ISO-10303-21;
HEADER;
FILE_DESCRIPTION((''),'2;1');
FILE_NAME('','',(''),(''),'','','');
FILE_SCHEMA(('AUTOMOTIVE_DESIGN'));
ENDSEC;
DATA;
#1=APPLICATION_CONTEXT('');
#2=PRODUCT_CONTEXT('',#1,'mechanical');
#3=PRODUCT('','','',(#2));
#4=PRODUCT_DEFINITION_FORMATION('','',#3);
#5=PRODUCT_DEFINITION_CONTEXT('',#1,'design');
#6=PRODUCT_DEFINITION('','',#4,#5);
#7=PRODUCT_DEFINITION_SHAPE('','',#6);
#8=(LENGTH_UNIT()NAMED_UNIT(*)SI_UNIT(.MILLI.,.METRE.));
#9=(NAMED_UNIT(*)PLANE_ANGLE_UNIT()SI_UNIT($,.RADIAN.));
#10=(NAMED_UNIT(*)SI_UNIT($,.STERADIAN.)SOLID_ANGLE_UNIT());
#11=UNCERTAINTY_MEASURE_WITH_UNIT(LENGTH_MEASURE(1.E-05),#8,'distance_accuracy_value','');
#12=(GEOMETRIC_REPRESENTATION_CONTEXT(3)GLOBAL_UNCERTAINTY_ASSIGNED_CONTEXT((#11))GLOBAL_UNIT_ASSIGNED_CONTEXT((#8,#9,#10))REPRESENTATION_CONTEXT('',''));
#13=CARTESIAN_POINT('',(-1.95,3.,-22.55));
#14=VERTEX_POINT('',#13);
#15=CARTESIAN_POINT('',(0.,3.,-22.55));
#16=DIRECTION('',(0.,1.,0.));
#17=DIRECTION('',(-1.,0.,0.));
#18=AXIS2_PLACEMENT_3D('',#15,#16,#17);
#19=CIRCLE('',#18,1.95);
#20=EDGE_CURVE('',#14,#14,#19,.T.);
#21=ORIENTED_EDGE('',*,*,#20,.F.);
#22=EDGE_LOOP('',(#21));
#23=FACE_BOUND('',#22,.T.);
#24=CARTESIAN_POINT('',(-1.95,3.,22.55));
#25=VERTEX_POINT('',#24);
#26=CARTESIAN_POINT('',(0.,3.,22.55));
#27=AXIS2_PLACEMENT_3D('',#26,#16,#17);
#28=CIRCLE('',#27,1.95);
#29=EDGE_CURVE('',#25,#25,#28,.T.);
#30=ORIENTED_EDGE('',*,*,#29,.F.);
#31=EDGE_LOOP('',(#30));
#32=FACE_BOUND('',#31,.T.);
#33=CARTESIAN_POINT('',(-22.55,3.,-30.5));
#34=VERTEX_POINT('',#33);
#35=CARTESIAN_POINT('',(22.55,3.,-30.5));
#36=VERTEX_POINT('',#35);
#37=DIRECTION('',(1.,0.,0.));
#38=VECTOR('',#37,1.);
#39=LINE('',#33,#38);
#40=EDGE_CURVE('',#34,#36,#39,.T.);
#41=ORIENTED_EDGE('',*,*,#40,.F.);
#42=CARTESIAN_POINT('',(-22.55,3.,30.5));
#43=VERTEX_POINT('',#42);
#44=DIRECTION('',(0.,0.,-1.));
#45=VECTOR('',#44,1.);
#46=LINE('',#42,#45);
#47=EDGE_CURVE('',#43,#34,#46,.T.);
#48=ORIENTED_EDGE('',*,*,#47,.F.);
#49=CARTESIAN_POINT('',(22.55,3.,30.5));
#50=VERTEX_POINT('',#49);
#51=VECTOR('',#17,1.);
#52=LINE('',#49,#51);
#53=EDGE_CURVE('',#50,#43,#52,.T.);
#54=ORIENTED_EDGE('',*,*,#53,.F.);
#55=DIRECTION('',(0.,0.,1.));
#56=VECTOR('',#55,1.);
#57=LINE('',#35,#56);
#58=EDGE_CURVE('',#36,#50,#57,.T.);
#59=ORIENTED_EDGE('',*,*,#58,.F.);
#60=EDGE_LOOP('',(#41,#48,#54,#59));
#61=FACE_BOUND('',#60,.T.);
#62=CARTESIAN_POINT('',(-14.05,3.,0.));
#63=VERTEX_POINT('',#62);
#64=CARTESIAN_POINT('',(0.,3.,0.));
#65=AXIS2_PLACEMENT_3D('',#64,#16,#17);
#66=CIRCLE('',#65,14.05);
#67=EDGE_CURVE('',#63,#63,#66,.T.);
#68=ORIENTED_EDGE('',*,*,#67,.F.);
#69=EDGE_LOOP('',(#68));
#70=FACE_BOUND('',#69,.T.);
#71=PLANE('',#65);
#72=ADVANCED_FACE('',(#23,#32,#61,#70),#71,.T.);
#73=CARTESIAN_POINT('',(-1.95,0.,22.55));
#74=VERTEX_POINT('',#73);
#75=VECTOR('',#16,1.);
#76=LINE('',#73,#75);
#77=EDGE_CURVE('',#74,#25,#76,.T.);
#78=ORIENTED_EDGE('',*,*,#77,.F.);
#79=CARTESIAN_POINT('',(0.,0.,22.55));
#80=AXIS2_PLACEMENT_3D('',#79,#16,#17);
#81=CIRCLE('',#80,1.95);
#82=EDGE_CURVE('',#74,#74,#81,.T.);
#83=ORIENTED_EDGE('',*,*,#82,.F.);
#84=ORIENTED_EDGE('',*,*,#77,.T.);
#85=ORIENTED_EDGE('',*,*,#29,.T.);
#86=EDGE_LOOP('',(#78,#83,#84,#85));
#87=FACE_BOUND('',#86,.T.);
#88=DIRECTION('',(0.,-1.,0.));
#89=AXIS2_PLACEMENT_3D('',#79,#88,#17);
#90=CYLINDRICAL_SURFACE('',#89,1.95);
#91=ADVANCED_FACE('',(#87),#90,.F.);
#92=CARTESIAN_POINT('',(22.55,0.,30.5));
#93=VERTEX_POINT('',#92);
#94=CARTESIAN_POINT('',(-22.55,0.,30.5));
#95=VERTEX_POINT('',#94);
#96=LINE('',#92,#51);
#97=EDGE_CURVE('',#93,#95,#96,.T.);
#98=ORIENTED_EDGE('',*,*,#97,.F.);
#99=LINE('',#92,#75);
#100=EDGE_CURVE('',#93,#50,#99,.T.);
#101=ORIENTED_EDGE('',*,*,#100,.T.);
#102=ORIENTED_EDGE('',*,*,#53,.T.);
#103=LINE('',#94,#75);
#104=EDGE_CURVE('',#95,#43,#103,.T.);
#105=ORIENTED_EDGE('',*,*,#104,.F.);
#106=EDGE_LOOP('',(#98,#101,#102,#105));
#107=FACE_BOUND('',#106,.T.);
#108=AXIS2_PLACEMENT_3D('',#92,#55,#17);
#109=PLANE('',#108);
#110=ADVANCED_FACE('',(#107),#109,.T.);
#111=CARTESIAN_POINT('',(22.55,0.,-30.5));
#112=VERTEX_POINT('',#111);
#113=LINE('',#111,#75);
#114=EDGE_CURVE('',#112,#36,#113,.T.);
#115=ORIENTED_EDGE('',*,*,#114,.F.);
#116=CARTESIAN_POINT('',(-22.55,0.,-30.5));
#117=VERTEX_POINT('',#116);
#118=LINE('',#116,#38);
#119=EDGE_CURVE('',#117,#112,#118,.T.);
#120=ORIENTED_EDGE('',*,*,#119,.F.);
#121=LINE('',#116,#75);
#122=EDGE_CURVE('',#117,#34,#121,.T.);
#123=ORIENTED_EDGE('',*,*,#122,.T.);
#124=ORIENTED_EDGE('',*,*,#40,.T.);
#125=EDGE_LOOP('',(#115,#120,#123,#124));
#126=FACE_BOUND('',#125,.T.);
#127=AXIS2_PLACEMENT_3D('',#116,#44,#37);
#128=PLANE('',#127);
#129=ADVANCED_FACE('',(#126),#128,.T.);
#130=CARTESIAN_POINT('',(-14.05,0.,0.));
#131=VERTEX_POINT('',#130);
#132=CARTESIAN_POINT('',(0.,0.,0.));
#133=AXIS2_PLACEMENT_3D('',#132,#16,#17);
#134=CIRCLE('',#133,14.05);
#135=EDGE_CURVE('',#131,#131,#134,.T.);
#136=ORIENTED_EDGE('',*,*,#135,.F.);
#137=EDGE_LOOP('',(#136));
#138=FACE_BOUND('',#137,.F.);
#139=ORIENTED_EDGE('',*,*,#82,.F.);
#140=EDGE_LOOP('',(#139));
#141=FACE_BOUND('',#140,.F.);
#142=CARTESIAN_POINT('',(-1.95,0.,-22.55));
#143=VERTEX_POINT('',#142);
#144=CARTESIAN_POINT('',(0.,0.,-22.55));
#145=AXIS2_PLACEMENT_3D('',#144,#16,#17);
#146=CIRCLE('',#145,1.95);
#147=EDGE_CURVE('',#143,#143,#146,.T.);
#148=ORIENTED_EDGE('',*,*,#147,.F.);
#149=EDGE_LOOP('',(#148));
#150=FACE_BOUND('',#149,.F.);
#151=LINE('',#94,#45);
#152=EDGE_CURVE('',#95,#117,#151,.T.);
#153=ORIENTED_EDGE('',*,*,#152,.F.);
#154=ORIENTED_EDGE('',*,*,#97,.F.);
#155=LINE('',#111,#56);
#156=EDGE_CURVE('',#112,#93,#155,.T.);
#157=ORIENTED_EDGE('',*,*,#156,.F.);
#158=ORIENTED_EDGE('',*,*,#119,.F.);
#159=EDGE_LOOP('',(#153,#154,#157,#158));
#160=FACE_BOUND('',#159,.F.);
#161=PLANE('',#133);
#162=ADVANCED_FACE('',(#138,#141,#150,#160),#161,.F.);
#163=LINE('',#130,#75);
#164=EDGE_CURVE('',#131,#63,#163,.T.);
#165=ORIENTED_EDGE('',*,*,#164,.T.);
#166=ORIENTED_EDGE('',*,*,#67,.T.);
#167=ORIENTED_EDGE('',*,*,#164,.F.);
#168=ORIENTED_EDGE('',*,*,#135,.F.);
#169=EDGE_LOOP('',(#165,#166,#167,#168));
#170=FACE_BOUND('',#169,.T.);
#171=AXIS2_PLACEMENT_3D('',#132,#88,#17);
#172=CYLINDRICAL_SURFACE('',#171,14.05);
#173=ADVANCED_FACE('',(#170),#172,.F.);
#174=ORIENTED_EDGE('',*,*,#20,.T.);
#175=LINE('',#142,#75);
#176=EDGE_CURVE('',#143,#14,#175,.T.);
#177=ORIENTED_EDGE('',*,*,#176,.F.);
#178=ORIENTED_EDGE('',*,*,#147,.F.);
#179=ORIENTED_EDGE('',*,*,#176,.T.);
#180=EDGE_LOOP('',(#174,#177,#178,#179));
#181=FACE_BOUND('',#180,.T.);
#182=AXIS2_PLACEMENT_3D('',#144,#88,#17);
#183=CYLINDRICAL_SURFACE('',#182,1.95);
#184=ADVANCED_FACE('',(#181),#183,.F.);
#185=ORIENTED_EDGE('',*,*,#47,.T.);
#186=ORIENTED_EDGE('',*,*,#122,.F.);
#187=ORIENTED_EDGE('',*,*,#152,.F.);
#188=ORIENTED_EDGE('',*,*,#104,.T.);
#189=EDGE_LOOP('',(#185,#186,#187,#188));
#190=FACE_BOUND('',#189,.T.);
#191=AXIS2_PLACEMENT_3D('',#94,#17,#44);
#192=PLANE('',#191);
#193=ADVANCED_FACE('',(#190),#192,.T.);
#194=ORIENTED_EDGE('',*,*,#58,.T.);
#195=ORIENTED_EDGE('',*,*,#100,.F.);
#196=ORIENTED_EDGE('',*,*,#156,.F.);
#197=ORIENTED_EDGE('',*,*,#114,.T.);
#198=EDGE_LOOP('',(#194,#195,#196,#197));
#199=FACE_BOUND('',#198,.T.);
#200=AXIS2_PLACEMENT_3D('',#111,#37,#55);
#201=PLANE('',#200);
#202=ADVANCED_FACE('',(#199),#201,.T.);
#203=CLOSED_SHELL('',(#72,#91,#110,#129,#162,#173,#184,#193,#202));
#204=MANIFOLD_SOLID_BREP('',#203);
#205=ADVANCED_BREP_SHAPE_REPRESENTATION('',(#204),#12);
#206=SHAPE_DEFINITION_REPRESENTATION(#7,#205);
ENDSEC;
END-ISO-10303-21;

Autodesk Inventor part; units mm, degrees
ref_plane "YZ Plane" through (0, 0, 0) normal (1, 0, 0) x (0, 1, 0)
ref_plane "XZ Plane" through (0, 0, 0) normal (0, 1, 0) x (-1, 0, 0)
ref_plane "XY Plane" through (0, 0, 0) normal (0, 0, 1) x (1, 0, 0)
sketch "Sketch1" plane through (0, 0, 0) normal (0, 1, 0) x (-1, 0, 0)
  circle A0 centre (0, 0) radius 14.05
  circle A1 centre (0, 0) radius 19.55 construction
  circle A2 centre (0, -22.55) radius 1.95
  circle A3 centre (0, 22.55) radius 1.95
  circle A4 centre (0, 22.55) radius 4.95 construction
  circle A5 centre (0, -22.55) radius 4.95 construction
  line L0 (19.55, 27.5) -> (-19.55, 27.5) construction
  line L1 (-19.55, 27.5) -> (-19.55, -27.5) construction
  line L2 (-19.55, -27.5) -> (19.55, -27.5) construction
  line L3 (19.55, -27.5) -> (19.55, 27.5) construction
  line L4 (0, 22.55) -> (0, -22.55) construction
  line L5 (-22.55, 30.5) -> (22.55, 30.5)
  line L6 (22.55, 30.5) -> (22.55, -30.5)
  line L7 (22.55, -30.5) -> (-22.55, -30.5)
  line L8 (-22.55, -30.5) -> (-22.55, 30.5)
  dimension "d0" = 28.1
  dimension "d1" = 5.5
  dimension "d2" = 3.9
  dimension "d3" = 3.9
  dimension "d4" = 22.55
  dimension "d5" = 22.55
  dimension "d6" = 3
  dimension "d7" = 3
  dimension "d8" = 3
extrude "Extrusion1" add sketch "Sketch1" along normal blind 3
equation "\"d5\" = d4"
properties part number "10p_passthrough_profile"
